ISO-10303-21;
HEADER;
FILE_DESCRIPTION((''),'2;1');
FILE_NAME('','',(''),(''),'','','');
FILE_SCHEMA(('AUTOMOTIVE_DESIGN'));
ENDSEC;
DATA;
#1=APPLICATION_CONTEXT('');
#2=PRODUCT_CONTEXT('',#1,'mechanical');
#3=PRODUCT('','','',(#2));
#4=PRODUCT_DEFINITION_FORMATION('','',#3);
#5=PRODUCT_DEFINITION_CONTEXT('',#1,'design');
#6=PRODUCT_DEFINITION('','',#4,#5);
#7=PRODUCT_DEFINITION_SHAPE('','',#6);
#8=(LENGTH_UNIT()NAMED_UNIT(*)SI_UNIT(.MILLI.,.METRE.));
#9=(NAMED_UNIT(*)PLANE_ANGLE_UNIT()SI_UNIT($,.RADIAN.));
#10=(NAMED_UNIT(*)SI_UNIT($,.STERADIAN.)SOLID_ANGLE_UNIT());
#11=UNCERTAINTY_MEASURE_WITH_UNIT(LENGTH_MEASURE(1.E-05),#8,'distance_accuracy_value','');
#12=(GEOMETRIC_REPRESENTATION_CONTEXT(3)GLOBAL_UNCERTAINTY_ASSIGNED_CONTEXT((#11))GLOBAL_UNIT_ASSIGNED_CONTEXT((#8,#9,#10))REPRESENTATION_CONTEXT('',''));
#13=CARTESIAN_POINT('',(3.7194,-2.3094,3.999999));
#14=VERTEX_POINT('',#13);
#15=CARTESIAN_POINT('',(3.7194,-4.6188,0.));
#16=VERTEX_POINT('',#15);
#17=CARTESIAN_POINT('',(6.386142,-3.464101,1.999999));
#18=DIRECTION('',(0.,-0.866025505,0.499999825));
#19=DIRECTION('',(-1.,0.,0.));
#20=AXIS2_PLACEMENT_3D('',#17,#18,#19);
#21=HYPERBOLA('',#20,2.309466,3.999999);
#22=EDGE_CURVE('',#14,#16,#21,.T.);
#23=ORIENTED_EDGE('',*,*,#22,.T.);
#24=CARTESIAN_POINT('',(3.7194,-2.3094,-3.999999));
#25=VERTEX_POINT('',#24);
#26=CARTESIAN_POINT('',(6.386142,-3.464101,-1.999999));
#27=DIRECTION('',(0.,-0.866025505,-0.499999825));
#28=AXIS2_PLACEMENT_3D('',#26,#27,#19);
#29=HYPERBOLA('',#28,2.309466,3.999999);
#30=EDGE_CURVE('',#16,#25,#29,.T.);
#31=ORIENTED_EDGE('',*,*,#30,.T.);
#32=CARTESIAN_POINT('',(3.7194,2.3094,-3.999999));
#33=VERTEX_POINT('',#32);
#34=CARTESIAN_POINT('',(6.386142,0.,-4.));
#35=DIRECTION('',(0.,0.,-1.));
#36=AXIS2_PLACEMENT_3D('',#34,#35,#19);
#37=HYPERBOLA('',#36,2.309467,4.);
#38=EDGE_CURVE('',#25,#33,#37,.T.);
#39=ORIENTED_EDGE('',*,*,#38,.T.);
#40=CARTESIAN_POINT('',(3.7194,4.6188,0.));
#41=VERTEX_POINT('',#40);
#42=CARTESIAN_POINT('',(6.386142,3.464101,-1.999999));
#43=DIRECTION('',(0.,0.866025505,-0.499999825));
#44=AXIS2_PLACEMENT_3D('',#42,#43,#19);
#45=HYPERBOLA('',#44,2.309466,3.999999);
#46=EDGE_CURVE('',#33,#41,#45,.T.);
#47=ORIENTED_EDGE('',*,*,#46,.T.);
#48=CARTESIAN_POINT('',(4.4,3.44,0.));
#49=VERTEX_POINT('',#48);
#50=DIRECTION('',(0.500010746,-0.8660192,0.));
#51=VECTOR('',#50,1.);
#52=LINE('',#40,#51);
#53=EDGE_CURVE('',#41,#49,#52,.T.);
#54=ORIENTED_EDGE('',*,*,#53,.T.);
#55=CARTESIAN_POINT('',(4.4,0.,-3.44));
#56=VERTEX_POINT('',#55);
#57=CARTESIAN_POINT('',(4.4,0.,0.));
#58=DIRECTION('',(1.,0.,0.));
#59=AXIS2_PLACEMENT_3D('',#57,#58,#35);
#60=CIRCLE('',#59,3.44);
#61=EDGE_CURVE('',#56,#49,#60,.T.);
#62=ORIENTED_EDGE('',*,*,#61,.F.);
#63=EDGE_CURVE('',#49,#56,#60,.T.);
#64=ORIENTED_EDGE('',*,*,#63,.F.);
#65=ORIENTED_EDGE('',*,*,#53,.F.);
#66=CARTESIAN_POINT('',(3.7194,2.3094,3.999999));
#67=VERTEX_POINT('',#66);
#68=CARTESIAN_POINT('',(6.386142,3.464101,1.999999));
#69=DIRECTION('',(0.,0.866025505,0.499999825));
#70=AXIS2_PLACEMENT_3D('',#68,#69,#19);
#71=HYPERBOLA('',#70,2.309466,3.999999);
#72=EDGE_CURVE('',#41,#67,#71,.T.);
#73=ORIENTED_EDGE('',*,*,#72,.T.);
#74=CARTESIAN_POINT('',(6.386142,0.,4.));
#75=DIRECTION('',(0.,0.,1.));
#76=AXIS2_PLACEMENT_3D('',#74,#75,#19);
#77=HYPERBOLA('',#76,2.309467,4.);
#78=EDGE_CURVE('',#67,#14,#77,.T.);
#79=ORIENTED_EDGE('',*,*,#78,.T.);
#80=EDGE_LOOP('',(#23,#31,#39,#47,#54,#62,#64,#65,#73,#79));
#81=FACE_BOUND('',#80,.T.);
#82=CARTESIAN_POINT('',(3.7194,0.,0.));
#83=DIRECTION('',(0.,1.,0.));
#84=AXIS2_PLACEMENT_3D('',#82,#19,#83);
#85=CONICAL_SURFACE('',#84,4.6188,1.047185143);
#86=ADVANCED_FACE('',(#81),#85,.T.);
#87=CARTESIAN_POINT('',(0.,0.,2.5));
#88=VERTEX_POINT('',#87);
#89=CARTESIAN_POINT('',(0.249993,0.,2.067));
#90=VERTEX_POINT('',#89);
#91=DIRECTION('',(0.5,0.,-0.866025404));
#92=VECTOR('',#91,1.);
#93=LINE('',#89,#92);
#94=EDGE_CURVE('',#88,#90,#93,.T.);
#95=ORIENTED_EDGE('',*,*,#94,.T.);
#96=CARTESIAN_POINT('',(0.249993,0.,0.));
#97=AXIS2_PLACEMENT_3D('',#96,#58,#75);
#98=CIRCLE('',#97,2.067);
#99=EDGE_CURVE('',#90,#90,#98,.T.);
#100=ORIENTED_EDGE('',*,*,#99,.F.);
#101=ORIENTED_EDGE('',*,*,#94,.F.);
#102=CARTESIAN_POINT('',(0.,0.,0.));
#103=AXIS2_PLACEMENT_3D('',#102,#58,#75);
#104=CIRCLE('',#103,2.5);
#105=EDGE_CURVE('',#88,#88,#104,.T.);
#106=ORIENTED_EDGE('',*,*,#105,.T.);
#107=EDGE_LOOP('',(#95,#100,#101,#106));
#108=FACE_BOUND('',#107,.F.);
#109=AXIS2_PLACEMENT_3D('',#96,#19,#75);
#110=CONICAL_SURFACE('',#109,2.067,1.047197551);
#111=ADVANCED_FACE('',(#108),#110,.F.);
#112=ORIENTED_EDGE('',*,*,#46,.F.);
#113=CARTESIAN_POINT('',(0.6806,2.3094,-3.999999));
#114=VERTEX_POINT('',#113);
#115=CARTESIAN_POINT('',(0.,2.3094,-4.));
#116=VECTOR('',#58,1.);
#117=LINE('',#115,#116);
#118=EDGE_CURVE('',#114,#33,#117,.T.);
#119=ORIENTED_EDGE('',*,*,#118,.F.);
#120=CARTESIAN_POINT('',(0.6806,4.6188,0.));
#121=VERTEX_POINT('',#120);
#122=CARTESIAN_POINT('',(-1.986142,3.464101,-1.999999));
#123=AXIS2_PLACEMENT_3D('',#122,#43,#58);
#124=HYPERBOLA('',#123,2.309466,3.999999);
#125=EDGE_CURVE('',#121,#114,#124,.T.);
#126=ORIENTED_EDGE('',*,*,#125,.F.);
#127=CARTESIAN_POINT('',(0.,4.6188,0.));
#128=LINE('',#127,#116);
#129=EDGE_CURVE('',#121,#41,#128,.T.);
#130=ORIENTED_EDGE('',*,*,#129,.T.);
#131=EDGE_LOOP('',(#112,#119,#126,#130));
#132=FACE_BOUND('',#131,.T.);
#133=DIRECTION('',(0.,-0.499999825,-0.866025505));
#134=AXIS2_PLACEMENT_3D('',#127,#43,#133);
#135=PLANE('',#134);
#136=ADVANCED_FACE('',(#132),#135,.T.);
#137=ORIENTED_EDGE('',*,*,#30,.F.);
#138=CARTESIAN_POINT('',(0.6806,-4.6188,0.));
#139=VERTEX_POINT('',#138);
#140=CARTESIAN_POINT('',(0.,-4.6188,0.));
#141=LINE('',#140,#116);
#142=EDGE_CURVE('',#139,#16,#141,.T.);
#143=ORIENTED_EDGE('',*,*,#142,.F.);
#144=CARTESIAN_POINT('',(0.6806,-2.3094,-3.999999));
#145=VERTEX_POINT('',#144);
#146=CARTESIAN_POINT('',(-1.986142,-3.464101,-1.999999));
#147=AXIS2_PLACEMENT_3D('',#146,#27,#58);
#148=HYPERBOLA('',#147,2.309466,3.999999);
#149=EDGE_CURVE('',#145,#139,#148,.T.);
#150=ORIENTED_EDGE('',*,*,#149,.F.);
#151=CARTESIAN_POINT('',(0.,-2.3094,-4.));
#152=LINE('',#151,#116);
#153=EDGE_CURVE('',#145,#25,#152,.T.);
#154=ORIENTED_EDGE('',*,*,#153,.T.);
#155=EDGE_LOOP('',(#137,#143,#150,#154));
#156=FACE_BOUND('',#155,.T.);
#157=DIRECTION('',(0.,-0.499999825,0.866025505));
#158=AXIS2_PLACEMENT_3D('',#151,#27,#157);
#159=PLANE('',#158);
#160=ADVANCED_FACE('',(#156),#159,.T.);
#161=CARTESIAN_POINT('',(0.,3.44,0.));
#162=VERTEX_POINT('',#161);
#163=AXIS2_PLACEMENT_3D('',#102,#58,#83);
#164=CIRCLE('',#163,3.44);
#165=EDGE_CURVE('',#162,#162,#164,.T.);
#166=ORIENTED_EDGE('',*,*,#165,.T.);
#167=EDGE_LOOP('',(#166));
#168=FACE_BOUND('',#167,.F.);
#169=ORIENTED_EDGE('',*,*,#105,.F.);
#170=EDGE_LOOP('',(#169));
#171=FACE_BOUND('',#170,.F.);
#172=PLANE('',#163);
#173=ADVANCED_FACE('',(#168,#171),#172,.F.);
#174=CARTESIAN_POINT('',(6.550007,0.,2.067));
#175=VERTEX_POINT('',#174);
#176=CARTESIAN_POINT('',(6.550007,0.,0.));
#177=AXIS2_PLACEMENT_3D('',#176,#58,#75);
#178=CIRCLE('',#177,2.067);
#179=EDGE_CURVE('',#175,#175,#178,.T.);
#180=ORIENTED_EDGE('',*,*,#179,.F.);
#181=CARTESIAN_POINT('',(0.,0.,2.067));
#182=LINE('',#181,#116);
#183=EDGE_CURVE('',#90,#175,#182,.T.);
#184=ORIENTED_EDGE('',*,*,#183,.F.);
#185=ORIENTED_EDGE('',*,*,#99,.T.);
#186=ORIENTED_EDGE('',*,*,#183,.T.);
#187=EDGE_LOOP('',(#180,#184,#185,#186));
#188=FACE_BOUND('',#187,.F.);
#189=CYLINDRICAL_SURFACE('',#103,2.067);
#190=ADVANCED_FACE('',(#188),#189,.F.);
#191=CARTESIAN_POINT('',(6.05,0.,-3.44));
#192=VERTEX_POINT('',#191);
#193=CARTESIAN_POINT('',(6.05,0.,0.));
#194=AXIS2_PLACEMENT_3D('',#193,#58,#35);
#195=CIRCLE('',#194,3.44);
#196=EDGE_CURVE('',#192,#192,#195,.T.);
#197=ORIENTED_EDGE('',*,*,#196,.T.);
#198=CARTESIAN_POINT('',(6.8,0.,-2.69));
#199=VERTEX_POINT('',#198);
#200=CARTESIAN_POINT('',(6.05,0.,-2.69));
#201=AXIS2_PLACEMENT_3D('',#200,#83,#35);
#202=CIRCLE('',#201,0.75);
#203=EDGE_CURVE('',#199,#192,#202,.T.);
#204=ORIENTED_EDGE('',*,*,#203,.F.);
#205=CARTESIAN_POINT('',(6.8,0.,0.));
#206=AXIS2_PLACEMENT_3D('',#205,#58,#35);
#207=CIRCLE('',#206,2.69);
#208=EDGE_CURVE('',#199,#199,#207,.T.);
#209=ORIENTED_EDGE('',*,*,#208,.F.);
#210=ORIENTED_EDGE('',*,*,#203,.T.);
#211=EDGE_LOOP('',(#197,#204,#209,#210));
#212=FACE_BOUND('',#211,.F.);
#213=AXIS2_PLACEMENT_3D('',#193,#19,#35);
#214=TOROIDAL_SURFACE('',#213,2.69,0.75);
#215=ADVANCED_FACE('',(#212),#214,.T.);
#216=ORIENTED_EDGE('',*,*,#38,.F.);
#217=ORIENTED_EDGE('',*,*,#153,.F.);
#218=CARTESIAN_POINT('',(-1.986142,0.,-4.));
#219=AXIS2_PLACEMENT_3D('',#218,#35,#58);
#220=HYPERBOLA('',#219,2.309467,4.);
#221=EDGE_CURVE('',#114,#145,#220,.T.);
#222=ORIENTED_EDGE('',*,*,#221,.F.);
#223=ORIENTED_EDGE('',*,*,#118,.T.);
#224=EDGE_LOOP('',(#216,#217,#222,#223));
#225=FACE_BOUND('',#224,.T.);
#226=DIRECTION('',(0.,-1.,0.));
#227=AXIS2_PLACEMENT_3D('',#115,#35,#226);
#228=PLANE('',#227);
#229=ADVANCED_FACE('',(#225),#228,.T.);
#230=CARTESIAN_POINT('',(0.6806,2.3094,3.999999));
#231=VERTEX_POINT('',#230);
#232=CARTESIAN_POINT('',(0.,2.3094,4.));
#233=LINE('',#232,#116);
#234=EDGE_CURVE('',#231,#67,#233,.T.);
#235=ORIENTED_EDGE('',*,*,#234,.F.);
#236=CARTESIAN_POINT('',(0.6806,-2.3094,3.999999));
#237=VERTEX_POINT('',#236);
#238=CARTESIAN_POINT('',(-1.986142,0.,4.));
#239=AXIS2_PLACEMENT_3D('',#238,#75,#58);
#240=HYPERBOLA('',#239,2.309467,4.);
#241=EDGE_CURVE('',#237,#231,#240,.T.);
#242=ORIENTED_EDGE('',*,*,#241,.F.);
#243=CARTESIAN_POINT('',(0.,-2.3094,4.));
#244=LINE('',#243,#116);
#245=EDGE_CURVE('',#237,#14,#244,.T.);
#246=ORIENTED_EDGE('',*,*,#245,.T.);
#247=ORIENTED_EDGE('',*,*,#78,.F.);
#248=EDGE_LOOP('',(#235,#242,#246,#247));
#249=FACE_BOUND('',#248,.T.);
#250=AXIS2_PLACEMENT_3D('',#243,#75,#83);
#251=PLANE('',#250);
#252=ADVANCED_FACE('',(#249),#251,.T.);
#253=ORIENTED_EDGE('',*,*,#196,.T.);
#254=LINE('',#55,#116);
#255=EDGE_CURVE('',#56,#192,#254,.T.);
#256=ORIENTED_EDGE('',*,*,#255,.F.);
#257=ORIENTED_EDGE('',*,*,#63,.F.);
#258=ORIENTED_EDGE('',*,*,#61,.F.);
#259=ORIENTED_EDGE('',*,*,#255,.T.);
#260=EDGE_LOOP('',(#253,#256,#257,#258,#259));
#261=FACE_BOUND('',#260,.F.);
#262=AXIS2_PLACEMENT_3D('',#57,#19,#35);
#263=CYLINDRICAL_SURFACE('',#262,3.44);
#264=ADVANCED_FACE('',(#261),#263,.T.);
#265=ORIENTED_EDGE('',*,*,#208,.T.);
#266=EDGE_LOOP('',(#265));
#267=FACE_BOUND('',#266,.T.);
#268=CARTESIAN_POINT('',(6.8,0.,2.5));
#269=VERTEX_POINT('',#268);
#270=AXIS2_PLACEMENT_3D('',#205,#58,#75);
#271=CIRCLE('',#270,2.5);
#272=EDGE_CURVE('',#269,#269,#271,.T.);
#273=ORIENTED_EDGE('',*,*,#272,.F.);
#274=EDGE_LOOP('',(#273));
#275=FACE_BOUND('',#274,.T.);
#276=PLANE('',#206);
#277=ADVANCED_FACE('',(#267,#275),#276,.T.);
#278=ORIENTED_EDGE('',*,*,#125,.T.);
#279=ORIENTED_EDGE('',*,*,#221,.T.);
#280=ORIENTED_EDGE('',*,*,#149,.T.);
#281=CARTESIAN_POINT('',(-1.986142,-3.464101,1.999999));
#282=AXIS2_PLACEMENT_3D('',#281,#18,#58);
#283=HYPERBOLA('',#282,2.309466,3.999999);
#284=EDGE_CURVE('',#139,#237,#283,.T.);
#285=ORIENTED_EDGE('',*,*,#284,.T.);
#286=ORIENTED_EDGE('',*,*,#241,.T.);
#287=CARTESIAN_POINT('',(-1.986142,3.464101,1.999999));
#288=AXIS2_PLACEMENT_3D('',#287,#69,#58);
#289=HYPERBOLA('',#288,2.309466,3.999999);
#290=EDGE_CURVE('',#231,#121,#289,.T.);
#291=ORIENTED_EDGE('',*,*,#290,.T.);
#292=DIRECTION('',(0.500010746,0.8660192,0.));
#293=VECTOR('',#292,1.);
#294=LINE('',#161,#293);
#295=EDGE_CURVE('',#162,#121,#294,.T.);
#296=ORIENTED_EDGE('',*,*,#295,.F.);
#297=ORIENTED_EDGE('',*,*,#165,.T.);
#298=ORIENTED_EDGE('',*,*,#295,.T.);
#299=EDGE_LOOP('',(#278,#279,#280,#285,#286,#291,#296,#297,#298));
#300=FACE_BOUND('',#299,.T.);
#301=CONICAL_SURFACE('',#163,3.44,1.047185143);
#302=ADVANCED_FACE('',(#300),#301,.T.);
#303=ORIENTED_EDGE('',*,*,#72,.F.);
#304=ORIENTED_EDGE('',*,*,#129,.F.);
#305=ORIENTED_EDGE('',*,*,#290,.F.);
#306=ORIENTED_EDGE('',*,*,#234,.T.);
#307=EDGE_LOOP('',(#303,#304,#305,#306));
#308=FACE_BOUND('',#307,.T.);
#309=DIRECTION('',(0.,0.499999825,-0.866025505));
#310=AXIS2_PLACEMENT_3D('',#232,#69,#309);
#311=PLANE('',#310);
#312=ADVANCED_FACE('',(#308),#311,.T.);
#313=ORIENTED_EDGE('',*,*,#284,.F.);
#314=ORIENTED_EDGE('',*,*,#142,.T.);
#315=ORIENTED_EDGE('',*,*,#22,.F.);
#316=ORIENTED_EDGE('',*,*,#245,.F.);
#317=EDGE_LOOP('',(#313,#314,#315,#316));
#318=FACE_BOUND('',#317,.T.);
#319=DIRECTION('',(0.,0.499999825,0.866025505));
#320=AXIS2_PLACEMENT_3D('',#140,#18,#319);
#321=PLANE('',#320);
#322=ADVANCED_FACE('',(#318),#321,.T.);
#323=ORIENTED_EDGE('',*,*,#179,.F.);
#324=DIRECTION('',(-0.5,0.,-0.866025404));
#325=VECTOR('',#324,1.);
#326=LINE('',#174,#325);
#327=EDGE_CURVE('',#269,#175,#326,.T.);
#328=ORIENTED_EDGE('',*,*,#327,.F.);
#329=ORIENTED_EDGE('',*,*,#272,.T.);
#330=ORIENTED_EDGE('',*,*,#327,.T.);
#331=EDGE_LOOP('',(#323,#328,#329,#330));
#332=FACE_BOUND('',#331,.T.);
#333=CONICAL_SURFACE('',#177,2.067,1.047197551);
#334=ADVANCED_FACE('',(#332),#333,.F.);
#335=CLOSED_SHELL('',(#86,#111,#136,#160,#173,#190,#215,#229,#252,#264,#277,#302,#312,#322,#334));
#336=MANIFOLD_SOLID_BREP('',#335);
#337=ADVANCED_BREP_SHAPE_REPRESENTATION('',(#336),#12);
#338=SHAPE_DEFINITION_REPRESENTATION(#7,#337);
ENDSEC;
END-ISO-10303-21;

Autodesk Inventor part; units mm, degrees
ref_plane "YZ Plane" through (0, 0, 0) normal (1, 0, 0) x (0, 1, 0)
ref_plane "XZ Plane" through (0, 0, 0) normal (0, 1, 0) x (-1, 0, 0)
sketch "Sketch1" plane through (0, 0, 0) normal (1, 0, 0) x (0, 1, 0)
  line L0 (2.3094, -4) -> (-2.3094, -4)
  line L1 (-2.3094, -4) -> (-4.6188, 0)
  line L2 (-4.6188, 0) -> (-2.3094, 4)
  line L3 (-2.3094, 4) -> (2.3094, 4)
  line L4 (2.3094, 4) -> (4.6188, 0)
  line L5 (4.6188, 0) -> (2.3094, -4)
  point P0 (0, 0)
  point P1 (0, 0)
  dimension "d0" = 9.2376
extrude "Body" add sketch "Sketch1" along normal blind 4.4
sketch "Sketch2" plane through (4.4, 0, 0) normal (1, 0, 0) x (0, 0, -1)
  circle A0 centre (0, 0) radius 3.44
  dimension "d7" = 6.88
extrude "Ring" add sketch "Sketch2" along normal blind 2.4
sketch "Sketch3" plane through (0, 0, 0) normal (0, 0, 1) x (1, 0, 0)
  line L0 (0, 2.3094) -> (0, 4.6188) projected
  line L1 (0, 4.6188) -> (4.4, 4.6188) projected
  line L2 (4.4, 2.3094) -> (4.4, 4.6188) projected
  line L3 (-0.88, 0) -> (5.28, 0) projected
  line L4 (0, 3.44) -> (0.6806, 4.6188)
  line L5 (3.7194, 4.6188) -> (4.4, 3.44)
  dimension "d3" = 30
  dimension "d4" = 30
  dimension "d5" = 6.88
  dimension "d6" = 6.88
revolve "Chamfer1" cut sketch "Sketch3" angle 360 about axis through (-10, 0, 0) along (1, 0, 0)
sketch "Sketch4" plane through (0, 0, 0) normal (-1, 0, 0) x (0, 0, 1)
  line L0 (0, -6.4663) -> (0, 6.4663) projected
  line L1 (-5.6, 0) -> (5.6, 0) projected
  point P0 (0, 0)
hole "Thread" at (0, 0, 0) direction (1, 0, 0) diameter 4.134 end through all thread size "M5x0.8" designation "M5" class "6H" standard "ISO Metric profile"
chamfer "Chamfer2" distance 0.433 angle 30 1 edges at (0, 0, -2.067) measured on face at (0, 2.944, -0.3575)
chamfer "Chamfer3" distance 0.433 angle 30 1 edges at (6.8, 0, -2.067) measured on face at (6.8, -0.2744, -2.949)
ref_plane "Work Plane1" through (13.9848, 0, 0) normal (0, 0, 1) x (-1, 0, 0)
fillet "Fillet1" radius 0.75 1 edges at (6.8, 0, 3.44)
equation "\"d0\" = 1.1547 * SW"
equation "\"d1\" = KOH1"
equation "\"d7\" = SD2"
equation "\"d8\" = KOH - KOH1"
equation "\"d3\" = ANG1"
equation "\"d4\" = ANG2"
equation "\"d5\" = SW0"
equation "\"d6\" = SW01"
equation "\"d10\" = -0.5 * GD1 + 0.5 * NND"
equation "\"d46\" = -0.5 * GD1 + 0.5 * NND"
equation "\"d12\" = -0.5 * GD1 + 0.5 * NND"
equation "\"d47\" = -0.5 * GD1 + 0.5 * NND"
equation "\"ANG1\" = 30deg"
equation "\"ANG2\" = 30deg"
equation "\"NND\" = 5"
equation "\"KOH1\" = 4.4"
equation "\"KOH\" = 6.8"
equation "\"SW\" = 8"
equation "\"SW0\" = 6.88"
equation "\"SW01\" = SW0"
equation "\"SD2\" = SW0"
equation "\"GUL\" = 0.541266 * PTC"
equation "\"THREADDIA\" = 5"
equation "\"TOA\" = 30deg"
equation "\"PTC\" = 0.8"
equation "\"E0\" = 1.155 * SW"
equation "\"GAL\" = 0.541266 * PTC"
equation "\"GD1\" = 4.133975"
properties part number "ISO 7040 - M5" material "Steel"
